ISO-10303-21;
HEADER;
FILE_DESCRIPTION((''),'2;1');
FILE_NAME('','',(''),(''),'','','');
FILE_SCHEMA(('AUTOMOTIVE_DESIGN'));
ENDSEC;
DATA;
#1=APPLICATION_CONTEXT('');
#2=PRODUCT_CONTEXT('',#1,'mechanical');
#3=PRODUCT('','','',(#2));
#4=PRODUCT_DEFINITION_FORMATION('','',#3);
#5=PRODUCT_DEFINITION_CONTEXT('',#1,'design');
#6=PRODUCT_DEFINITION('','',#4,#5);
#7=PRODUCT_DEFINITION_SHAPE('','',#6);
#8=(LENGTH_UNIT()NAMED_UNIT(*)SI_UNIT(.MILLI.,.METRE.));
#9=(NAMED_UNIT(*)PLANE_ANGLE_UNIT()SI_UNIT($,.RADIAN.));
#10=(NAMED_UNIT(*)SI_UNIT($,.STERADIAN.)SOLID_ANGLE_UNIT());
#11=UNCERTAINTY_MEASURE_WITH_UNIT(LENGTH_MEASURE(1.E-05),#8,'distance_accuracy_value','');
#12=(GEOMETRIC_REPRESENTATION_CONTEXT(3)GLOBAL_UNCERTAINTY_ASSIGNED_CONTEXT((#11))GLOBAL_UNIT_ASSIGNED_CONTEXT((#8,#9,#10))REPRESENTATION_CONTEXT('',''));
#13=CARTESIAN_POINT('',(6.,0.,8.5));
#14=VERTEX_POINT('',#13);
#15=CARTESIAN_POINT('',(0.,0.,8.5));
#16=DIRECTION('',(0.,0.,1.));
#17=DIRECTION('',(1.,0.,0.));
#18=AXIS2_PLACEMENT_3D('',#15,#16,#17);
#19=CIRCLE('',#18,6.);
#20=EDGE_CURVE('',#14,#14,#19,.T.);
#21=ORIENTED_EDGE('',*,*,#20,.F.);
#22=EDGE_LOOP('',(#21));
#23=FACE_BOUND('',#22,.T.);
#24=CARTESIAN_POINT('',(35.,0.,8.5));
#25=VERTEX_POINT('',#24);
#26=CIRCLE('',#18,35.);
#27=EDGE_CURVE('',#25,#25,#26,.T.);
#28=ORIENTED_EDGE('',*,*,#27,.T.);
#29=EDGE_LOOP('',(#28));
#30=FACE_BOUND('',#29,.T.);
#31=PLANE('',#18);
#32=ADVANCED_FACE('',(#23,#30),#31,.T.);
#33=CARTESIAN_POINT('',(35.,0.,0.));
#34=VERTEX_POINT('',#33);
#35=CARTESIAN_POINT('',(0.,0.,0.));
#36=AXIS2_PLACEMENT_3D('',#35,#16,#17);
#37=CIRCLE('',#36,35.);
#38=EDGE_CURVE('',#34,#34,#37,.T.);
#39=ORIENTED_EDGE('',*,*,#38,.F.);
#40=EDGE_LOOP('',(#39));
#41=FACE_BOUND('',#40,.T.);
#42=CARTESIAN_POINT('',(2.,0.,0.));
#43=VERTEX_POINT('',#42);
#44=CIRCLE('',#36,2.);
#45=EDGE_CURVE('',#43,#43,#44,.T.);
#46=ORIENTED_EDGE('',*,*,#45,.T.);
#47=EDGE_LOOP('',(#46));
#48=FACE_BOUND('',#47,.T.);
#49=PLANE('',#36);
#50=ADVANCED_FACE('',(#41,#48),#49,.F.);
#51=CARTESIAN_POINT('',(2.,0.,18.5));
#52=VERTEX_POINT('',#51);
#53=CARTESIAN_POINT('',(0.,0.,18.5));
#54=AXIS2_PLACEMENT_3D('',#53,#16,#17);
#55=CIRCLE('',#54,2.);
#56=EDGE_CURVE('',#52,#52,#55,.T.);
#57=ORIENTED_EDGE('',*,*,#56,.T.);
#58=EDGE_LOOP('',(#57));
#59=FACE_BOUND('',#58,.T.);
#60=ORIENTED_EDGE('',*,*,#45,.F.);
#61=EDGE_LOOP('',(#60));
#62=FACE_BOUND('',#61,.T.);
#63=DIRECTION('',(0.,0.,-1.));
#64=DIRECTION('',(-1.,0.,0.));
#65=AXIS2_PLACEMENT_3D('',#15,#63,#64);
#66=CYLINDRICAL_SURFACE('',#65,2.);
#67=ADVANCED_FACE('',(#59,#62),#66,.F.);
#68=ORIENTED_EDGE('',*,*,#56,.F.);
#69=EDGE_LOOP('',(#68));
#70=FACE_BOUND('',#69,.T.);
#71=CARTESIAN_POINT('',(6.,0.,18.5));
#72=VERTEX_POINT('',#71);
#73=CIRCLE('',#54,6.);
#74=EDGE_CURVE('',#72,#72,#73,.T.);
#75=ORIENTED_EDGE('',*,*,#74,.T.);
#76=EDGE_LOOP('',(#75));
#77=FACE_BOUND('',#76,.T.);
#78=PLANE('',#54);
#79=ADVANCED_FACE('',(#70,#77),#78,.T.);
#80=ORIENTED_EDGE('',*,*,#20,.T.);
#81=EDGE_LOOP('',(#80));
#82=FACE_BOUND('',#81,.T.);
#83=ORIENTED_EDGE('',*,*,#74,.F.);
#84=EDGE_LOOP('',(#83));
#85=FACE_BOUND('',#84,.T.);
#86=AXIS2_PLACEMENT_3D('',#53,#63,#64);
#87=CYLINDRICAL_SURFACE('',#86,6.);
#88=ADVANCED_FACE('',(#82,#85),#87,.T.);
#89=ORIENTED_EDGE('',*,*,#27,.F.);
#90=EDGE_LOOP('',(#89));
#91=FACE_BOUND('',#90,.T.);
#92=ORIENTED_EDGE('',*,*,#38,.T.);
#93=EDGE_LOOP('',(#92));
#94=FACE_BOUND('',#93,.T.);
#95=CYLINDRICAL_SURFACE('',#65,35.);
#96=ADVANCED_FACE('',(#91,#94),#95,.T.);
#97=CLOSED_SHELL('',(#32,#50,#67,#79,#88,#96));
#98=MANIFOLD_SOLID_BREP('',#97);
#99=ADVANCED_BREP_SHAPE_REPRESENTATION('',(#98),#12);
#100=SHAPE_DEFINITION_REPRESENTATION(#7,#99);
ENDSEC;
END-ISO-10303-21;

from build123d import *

# Parameters (mm, degrees)
SKETCH1_R           = 35
SKETCH1_R_2         = 2
BOSS_EXTRUDE1_DEPTH = 8.5
SKETCH2_R           = 6
SKETCH2_R_2         = 2
BOSS_EXTRUDE2_DEPTH = 10


with BuildPart() as part:
    # Sketch1 → Boss-Extrude1 (new body)
    with BuildSketch(Plane.XY):
        Circle(SKETCH1_R)
        Circle(SKETCH1_R_2, mode=Mode.SUBTRACT)
    extrude(amount=BOSS_EXTRUDE1_DEPTH)

    # Sketch2 → Boss-Extrude2 (add)
    with BuildSketch(Plane.XY.offset(8.5)):
        Circle(SKETCH2_R)
        Circle(SKETCH2_R_2, mode=Mode.SUBTRACT)
    extrude(amount=BOSS_EXTRUDE2_DEPTH)


solid = part.part
